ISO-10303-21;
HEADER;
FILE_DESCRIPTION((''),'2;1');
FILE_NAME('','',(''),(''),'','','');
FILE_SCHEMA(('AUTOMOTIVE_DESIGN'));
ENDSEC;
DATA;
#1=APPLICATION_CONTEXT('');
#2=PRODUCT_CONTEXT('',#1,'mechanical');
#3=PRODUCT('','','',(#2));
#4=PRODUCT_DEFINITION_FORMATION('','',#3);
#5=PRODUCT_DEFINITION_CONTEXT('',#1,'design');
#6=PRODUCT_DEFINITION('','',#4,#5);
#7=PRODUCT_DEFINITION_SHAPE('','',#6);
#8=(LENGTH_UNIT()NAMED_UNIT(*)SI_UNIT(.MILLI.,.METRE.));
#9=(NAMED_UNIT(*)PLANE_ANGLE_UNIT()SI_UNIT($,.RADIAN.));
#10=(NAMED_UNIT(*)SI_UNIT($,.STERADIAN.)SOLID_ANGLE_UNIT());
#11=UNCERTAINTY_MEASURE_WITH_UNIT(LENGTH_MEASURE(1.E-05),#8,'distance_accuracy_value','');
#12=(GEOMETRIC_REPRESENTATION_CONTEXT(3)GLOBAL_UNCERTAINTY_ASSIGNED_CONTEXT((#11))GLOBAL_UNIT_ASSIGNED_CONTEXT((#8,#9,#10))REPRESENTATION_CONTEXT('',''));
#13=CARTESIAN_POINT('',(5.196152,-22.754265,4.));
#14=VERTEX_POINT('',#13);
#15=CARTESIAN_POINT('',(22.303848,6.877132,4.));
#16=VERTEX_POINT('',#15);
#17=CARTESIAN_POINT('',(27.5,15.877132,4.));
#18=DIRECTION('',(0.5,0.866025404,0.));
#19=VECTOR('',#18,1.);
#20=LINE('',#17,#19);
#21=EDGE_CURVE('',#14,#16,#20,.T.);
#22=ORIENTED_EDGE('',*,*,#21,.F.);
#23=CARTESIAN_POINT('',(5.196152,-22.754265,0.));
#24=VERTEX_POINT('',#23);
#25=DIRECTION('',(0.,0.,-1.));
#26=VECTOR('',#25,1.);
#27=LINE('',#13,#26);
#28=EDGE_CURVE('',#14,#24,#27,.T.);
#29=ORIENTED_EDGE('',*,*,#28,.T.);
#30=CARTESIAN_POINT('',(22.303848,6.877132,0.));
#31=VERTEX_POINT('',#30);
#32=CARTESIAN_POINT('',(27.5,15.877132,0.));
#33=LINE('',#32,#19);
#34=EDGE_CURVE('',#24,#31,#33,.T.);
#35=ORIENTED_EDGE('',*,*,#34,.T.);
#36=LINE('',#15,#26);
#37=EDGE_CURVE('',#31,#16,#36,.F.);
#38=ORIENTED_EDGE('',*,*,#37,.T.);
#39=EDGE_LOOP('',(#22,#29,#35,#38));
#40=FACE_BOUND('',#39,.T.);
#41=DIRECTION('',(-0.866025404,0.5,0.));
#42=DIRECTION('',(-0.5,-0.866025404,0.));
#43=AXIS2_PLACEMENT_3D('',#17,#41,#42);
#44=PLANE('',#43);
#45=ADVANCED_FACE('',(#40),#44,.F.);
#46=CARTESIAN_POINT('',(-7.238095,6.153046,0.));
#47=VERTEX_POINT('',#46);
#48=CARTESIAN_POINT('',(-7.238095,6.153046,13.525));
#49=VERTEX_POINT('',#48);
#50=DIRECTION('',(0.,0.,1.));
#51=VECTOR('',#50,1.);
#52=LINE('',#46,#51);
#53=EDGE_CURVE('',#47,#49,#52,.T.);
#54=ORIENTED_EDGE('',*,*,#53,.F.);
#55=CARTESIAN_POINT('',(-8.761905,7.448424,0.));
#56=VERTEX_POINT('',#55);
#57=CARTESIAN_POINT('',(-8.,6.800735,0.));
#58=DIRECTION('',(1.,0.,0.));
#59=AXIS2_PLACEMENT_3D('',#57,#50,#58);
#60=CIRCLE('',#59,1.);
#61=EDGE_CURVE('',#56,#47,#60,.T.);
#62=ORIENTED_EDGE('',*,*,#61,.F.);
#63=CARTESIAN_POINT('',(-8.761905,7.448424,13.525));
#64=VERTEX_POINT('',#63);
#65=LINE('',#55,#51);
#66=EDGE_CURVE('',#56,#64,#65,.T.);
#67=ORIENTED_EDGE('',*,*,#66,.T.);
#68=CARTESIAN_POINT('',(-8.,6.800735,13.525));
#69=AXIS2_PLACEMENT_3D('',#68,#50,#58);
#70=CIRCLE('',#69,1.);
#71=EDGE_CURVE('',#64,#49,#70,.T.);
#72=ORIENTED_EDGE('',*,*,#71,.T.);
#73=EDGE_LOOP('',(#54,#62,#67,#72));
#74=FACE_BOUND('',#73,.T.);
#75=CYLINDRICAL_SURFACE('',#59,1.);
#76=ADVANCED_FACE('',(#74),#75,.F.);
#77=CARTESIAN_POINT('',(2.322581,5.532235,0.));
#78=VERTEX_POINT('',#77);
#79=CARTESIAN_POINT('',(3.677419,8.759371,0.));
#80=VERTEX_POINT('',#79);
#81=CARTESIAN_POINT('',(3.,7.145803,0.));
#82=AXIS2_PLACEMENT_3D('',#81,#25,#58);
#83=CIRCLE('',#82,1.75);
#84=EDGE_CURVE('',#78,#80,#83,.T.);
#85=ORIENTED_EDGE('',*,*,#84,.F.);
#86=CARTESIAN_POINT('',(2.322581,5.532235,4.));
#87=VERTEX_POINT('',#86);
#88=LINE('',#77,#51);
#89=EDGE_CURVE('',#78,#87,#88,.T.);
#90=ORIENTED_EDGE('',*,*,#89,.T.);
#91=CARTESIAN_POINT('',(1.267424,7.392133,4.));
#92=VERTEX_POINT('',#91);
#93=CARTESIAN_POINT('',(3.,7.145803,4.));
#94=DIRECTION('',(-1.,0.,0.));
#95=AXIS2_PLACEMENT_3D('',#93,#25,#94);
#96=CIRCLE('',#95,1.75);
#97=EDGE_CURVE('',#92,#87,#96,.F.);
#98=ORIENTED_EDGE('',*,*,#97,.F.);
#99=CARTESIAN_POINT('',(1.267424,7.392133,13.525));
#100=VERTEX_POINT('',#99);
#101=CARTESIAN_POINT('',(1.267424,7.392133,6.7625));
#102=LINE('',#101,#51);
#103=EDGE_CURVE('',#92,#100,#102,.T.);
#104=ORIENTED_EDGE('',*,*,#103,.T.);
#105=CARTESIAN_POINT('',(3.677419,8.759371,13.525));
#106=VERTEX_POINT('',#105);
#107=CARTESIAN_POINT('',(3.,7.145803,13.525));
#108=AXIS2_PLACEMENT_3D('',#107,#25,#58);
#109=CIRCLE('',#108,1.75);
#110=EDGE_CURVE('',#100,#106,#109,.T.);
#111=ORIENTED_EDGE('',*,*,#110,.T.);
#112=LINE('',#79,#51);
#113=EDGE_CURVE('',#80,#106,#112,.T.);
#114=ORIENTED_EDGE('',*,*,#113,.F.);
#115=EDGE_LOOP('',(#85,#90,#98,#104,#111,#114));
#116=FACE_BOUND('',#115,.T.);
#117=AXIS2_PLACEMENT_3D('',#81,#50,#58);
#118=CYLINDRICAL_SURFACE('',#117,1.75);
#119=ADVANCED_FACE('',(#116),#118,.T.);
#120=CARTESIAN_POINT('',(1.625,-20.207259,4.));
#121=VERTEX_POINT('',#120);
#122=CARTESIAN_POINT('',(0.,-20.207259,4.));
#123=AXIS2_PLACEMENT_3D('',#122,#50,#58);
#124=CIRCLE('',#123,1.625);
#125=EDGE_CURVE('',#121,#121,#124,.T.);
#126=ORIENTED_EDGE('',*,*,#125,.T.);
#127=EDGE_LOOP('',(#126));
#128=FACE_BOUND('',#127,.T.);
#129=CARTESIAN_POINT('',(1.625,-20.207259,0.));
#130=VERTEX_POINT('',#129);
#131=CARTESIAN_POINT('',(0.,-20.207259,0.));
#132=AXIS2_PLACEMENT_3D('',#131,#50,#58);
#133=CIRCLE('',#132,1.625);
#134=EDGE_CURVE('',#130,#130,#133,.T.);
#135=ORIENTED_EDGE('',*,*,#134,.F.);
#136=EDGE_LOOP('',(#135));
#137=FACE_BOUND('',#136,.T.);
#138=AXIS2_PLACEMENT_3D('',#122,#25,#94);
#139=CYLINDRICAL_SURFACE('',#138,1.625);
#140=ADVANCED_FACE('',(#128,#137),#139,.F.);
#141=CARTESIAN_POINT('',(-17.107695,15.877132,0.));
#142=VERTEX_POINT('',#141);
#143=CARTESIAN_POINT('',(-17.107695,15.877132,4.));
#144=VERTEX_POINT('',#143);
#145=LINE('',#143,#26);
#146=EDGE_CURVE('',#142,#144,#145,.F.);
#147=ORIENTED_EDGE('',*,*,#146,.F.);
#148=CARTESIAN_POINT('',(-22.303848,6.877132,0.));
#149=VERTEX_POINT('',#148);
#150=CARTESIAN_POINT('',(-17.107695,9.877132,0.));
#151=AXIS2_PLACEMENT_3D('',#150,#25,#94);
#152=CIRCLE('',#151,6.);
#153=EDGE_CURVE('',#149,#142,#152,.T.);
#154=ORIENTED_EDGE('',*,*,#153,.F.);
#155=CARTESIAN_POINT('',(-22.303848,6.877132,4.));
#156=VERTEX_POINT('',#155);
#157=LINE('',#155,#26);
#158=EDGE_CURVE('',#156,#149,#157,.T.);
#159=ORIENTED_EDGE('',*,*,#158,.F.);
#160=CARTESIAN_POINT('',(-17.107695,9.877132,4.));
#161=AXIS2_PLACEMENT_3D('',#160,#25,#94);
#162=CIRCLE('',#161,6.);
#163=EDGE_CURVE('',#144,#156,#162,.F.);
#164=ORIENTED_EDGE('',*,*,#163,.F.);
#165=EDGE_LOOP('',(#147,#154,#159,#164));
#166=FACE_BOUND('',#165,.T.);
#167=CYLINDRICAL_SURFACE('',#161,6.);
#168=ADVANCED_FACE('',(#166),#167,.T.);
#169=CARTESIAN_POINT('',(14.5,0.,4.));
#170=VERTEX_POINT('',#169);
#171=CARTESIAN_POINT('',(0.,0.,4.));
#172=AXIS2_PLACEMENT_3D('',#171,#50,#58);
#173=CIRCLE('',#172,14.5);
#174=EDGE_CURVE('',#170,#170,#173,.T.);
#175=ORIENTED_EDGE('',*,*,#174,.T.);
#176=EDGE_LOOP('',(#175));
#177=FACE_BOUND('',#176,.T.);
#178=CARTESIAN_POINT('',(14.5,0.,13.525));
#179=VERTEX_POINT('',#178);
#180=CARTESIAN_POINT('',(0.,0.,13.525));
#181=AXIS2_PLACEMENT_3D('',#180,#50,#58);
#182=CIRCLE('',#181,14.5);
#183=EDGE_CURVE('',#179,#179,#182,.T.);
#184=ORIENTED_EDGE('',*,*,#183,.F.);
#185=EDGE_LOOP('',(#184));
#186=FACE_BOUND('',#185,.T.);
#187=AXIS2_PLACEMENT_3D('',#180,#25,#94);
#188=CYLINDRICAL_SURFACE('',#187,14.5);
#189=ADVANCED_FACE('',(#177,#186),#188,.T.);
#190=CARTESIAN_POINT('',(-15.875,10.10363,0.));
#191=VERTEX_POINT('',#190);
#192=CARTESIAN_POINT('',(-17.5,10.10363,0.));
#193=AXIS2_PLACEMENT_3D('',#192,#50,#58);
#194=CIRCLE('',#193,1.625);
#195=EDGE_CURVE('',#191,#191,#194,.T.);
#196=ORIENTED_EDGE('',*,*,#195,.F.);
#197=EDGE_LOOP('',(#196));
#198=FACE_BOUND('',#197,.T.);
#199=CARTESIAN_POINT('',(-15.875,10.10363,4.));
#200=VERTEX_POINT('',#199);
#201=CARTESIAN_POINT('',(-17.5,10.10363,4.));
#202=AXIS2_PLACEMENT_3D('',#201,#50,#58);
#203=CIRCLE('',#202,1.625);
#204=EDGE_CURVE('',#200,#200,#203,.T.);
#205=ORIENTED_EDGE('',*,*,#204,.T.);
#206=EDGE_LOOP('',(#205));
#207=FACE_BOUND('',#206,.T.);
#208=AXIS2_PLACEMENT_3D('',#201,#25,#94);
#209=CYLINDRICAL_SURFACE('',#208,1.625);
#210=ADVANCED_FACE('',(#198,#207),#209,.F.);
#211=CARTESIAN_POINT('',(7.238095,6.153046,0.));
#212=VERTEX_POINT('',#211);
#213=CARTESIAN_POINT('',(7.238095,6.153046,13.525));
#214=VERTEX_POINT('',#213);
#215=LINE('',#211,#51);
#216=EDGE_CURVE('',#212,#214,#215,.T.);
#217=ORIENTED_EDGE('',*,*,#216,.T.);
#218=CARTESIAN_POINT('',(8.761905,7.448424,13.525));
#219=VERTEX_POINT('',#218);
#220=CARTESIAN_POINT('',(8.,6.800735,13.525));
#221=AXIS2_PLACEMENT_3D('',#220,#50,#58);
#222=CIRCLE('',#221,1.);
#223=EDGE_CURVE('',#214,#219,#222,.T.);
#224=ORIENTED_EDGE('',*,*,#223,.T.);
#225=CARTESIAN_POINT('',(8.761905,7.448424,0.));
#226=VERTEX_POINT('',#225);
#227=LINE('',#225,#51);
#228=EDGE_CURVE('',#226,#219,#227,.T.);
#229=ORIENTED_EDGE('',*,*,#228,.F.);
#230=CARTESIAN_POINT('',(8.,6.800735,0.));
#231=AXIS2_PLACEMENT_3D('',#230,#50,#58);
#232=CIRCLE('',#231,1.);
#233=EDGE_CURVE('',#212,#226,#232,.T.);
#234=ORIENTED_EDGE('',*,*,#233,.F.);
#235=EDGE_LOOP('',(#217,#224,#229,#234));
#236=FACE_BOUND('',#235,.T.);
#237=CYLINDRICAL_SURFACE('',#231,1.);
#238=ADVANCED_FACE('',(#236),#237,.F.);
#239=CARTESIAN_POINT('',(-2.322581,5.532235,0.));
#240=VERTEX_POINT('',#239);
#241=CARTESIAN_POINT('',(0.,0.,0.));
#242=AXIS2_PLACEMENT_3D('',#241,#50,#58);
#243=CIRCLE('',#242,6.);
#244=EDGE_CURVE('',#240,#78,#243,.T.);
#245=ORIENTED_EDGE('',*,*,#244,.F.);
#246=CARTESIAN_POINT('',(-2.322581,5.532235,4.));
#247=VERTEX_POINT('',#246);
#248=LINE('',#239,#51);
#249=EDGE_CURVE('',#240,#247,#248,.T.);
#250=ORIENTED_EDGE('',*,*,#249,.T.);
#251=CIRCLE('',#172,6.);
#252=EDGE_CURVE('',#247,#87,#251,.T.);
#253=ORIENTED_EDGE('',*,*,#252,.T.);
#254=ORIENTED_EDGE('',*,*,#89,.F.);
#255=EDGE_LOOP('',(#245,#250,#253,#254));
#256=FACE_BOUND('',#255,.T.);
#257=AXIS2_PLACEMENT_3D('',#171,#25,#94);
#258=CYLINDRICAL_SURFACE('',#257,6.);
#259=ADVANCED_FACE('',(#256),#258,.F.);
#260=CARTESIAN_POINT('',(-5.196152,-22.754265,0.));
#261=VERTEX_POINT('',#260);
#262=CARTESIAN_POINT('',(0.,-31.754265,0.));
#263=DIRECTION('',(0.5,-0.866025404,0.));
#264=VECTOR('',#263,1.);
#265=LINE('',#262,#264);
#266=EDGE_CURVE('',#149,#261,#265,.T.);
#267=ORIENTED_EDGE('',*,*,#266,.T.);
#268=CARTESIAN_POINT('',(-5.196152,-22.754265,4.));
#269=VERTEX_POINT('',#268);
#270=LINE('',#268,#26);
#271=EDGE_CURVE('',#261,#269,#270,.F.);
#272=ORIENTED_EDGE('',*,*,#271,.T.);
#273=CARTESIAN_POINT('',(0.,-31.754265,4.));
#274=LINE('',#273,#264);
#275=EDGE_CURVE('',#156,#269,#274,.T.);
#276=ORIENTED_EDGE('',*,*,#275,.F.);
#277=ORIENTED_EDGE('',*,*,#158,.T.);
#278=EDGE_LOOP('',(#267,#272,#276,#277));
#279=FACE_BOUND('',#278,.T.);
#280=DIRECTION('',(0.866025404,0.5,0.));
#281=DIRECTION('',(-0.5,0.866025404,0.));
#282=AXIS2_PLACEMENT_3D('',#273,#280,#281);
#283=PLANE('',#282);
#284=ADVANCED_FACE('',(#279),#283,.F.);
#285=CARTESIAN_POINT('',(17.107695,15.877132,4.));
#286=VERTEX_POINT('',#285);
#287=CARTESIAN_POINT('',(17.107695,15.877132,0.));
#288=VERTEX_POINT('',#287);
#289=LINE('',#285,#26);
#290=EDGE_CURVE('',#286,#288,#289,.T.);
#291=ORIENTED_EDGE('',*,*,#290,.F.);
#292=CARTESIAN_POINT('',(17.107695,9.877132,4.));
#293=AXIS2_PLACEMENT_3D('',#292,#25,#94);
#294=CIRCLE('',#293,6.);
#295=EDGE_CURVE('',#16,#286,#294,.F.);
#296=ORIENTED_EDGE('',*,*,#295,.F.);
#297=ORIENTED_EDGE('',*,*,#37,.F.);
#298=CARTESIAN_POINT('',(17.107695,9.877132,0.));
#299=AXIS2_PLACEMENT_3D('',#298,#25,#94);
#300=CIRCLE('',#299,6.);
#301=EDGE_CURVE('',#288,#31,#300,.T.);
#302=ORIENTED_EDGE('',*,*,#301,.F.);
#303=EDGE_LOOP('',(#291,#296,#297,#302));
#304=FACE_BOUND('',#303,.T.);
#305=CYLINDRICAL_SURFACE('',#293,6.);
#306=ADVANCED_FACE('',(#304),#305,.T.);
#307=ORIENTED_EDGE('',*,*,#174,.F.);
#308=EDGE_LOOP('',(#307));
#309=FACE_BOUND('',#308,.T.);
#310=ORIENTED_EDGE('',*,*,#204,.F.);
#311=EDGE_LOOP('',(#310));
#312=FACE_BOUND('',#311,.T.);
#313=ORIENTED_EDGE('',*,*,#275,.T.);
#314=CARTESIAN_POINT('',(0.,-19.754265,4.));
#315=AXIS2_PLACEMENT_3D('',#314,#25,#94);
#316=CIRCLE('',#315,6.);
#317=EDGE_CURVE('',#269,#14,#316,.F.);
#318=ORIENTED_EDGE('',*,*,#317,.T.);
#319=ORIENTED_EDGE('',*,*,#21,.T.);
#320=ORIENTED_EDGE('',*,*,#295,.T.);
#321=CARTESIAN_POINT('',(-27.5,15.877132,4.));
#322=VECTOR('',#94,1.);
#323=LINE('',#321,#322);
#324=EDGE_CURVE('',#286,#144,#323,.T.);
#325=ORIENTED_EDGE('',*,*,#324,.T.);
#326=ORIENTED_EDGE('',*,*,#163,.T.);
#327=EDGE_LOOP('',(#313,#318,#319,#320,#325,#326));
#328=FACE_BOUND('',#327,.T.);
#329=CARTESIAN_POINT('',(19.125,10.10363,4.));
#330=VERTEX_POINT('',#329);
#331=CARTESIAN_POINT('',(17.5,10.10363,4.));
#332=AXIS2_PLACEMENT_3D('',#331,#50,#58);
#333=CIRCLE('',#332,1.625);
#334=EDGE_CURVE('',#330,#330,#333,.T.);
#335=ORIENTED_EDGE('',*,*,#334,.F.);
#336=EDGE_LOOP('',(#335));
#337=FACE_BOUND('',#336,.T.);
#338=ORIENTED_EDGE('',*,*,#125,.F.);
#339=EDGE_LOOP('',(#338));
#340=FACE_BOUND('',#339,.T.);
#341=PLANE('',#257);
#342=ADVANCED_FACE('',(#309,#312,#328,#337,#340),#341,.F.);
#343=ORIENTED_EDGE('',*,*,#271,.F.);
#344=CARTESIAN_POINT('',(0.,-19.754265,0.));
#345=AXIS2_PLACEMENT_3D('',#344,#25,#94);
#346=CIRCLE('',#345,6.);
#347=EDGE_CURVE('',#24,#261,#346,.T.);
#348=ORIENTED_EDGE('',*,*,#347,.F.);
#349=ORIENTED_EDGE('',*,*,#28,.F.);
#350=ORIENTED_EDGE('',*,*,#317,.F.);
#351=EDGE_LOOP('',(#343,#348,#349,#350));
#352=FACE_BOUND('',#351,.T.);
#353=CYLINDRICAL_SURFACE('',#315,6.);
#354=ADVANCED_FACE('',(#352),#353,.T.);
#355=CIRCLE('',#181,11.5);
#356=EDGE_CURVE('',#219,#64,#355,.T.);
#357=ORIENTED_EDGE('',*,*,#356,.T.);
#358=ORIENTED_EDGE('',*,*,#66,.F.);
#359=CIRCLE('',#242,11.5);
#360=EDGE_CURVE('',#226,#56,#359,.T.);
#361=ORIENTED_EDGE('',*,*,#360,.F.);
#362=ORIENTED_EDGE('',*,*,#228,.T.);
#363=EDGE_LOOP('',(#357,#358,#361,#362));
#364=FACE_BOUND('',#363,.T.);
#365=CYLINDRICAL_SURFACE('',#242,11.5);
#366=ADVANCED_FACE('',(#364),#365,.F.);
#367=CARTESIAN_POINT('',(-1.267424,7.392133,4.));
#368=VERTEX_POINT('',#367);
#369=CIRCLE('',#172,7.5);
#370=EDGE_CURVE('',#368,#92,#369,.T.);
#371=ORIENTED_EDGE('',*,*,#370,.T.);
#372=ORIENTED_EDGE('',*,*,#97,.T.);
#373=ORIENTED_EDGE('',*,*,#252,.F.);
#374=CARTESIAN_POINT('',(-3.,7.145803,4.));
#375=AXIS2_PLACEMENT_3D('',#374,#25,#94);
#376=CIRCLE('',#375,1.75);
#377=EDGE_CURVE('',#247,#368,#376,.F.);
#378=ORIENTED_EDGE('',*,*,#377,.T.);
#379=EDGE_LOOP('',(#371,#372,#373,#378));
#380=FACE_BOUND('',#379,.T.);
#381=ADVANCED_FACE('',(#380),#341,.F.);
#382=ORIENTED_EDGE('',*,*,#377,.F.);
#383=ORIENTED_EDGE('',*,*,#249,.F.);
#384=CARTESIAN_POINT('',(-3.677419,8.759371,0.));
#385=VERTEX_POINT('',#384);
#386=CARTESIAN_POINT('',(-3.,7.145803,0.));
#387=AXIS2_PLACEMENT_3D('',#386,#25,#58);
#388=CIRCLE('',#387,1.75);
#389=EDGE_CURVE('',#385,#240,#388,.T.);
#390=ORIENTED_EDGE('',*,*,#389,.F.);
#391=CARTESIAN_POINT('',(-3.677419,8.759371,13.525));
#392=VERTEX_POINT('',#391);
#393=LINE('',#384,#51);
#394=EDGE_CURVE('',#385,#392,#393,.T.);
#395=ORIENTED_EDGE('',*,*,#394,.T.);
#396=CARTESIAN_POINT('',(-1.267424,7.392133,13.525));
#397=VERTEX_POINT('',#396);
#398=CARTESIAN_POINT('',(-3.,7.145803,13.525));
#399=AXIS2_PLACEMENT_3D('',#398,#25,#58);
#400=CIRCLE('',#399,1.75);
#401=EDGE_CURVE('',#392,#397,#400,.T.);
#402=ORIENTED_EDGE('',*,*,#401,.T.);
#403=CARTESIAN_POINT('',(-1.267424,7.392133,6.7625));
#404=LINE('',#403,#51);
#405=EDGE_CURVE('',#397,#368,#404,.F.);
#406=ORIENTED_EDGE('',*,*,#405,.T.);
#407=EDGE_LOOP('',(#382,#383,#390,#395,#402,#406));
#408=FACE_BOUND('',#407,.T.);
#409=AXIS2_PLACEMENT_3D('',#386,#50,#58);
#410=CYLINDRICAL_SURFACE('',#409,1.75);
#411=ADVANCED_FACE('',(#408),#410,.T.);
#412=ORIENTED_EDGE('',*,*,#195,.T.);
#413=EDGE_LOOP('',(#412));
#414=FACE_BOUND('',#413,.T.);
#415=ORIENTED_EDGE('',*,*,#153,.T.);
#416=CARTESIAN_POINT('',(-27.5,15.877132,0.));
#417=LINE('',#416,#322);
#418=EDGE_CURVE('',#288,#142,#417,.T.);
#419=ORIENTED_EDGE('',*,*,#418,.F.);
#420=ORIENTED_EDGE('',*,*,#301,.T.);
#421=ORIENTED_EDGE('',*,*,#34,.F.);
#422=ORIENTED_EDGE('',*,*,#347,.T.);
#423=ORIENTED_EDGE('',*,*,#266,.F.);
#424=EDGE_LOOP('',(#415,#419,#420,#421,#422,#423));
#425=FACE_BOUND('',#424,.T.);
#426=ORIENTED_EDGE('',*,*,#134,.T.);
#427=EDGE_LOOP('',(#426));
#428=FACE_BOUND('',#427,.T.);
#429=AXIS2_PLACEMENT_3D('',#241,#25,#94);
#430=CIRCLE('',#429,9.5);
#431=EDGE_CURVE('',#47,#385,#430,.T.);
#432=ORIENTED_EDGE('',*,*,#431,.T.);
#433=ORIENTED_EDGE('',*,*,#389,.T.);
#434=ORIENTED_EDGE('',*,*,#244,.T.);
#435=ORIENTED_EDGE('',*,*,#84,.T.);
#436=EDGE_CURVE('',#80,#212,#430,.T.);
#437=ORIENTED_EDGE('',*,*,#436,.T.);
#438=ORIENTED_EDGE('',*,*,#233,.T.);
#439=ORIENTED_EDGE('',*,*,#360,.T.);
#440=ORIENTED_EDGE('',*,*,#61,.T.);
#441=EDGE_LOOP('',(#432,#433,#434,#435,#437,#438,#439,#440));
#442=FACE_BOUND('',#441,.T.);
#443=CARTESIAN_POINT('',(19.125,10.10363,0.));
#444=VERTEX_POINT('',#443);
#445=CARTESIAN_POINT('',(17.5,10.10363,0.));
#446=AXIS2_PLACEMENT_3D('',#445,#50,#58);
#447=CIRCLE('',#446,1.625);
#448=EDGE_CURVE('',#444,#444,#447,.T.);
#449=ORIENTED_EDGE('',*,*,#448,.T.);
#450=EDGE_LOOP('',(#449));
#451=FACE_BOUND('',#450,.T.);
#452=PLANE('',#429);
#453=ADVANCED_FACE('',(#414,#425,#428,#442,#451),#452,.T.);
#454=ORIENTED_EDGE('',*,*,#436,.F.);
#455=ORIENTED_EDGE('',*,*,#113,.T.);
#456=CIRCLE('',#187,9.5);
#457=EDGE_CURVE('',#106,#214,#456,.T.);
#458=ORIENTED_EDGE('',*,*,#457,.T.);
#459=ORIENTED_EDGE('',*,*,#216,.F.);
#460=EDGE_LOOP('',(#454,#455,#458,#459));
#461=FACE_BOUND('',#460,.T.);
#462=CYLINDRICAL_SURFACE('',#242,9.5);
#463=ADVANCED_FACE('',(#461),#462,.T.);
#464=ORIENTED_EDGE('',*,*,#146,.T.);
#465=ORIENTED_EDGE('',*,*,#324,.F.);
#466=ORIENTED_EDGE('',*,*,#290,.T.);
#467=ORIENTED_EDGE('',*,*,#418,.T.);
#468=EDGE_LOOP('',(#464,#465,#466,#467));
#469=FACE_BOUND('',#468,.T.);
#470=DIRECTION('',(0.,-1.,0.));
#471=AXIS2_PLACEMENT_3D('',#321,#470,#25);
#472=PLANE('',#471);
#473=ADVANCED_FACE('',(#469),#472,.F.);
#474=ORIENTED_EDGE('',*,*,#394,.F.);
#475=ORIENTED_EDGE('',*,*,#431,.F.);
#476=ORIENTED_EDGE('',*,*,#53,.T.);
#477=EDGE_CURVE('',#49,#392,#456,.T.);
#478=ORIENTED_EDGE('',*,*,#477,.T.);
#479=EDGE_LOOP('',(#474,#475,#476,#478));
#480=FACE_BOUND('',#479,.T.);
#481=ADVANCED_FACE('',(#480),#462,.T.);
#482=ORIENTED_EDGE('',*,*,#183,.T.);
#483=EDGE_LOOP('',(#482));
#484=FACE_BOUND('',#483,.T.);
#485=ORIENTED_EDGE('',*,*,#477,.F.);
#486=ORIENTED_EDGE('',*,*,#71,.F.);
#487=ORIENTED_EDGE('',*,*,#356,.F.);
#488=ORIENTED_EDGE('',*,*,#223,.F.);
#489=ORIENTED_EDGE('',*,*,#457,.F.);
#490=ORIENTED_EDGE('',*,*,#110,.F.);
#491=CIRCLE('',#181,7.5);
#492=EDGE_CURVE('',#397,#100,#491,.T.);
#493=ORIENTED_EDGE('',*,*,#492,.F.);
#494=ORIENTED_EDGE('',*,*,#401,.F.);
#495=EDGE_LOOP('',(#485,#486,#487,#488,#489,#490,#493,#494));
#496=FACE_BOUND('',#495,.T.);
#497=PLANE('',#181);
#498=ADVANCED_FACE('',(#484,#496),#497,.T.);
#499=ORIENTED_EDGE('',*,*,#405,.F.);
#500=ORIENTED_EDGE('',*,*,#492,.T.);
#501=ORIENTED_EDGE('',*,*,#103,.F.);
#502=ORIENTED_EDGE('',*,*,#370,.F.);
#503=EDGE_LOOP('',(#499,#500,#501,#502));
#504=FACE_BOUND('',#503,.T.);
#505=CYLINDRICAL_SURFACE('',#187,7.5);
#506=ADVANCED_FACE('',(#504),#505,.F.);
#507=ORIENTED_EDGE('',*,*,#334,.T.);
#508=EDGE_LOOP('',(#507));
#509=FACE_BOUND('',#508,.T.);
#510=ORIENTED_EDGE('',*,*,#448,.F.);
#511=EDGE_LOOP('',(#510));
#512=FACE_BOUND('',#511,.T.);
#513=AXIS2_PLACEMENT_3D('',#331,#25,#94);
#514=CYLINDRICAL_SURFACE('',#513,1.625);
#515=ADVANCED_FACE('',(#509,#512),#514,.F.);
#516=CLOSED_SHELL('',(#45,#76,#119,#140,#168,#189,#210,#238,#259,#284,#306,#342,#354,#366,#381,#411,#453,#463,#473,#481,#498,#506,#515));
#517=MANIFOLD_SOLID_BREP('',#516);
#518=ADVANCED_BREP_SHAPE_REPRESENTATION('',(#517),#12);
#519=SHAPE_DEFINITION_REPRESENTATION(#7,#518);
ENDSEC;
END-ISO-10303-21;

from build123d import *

# Parameters (mm, degrees)
ESQUISSE3_R             = 1.625
ESQUISSE3_R_2           = 6
BOSS_EXTRU_1_DEPTH      = 4
ESQUISSE4_R             = 14.5
ESQUISSE4_R_2           = 7.5
BOSS_EXTRU_2_DEPTH      = 9.525
CONG_3_R                = 6
ENL_V_MAT_EXTRU_1_DEPTH = 38.150684462
ENL_V_MAT_EXTRU_2_DEPTH = 38.150684462


with BuildPart() as part:
    # Esquisse3 → Boss.-Extru.1 (new body)
    with BuildSketch(Plane.XY):
        Polygon((0, -31.754264805), (-27.5, 15.877132403), (27.5, 15.877132403), align=None)
        with Locations((-17.5, 10.103629711)):
            Circle(ESQUISSE3_R, mode=Mode.SUBTRACT)
        with Locations((17.5, 10.103629711)):
            Circle(ESQUISSE3_R, mode=Mode.SUBTRACT)
        with Locations((0, -20.207259422)):
            Circle(ESQUISSE3_R, mode=Mode.SUBTRACT)
        Circle(ESQUISSE3_R_2, mode=Mode.SUBTRACT)
    extrude(amount=BOSS_EXTRU_1_DEPTH)

    # Esquisse4 → Boss.-Extru.2 (add)
    with BuildSketch(Plane.XY.offset(4)):
        Circle(ESQUISSE4_R)
        Circle(ESQUISSE4_R_2, mode=Mode.SUBTRACT)
    extrude(amount=BOSS_EXTRU_2_DEPTH)

    # Congé3
    cong_3_edges = [part.edges().sort_by_distance(p)[0] for p in [
        (0, -31.754264805, 2),
        (-27.5, 15.877132403, 2),
        (27.5, 15.877132403, 2),
    ]]
    fillet(cong_3_edges, radius=CONG_3_R)

    # Esquisse5 → Enlèv. mat.-Extru.1 (cut, through all)
    with BuildSketch(Plane.XY.offset(13.525)):
        with BuildLine():
            ThreePointArc((-7.238095238, 6.153046183), (0, 9.5), (7.238095238, 6.153046183))
            ThreePointArc((7.238095238, 6.153046183), (8.647689072, 6.038830492), (8.761904762, 7.448424326))
            ThreePointArc((8.761904762, 7.448424326), (0, 11.5), (-8.761904762, 7.448424326))
            ThreePointArc((-8.761904762, 7.448424326), (-8.647689072, 6.038830492), (-7.238095238, 6.153046183))
        make_face()
    extrude(amount=-ENL_V_MAT_EXTRU_1_DEPTH, mode=Mode.SUBTRACT)

    # Esquisse6 → Enlèv. mat.-Extru.2 (cut, through all)
    with BuildSketch(Plane.XY.offset(13.525)):
        with BuildLine():
            ThreePointArc((-2.322580645, 5.532234553), (-1.386431589, 7.823222319), (-3.677419355, 8.759371375))
            ThreePointArc((-3.677419355, 8.759371375), (0, 9.5), (3.677419355, 8.759371375))
            ThreePointArc((3.677419355, 8.759371375), (1.386431589, 7.823222319), (2.322580645, 5.532234553))
            ThreePointArc((2.322580645, 5.532234553), (0, 6), (-2.322580645, 5.532234553))
        make_face()
    extrude(amount=-ENL_V_MAT_EXTRU_2_DEPTH, mode=Mode.SUBTRACT)


solid = part.part
